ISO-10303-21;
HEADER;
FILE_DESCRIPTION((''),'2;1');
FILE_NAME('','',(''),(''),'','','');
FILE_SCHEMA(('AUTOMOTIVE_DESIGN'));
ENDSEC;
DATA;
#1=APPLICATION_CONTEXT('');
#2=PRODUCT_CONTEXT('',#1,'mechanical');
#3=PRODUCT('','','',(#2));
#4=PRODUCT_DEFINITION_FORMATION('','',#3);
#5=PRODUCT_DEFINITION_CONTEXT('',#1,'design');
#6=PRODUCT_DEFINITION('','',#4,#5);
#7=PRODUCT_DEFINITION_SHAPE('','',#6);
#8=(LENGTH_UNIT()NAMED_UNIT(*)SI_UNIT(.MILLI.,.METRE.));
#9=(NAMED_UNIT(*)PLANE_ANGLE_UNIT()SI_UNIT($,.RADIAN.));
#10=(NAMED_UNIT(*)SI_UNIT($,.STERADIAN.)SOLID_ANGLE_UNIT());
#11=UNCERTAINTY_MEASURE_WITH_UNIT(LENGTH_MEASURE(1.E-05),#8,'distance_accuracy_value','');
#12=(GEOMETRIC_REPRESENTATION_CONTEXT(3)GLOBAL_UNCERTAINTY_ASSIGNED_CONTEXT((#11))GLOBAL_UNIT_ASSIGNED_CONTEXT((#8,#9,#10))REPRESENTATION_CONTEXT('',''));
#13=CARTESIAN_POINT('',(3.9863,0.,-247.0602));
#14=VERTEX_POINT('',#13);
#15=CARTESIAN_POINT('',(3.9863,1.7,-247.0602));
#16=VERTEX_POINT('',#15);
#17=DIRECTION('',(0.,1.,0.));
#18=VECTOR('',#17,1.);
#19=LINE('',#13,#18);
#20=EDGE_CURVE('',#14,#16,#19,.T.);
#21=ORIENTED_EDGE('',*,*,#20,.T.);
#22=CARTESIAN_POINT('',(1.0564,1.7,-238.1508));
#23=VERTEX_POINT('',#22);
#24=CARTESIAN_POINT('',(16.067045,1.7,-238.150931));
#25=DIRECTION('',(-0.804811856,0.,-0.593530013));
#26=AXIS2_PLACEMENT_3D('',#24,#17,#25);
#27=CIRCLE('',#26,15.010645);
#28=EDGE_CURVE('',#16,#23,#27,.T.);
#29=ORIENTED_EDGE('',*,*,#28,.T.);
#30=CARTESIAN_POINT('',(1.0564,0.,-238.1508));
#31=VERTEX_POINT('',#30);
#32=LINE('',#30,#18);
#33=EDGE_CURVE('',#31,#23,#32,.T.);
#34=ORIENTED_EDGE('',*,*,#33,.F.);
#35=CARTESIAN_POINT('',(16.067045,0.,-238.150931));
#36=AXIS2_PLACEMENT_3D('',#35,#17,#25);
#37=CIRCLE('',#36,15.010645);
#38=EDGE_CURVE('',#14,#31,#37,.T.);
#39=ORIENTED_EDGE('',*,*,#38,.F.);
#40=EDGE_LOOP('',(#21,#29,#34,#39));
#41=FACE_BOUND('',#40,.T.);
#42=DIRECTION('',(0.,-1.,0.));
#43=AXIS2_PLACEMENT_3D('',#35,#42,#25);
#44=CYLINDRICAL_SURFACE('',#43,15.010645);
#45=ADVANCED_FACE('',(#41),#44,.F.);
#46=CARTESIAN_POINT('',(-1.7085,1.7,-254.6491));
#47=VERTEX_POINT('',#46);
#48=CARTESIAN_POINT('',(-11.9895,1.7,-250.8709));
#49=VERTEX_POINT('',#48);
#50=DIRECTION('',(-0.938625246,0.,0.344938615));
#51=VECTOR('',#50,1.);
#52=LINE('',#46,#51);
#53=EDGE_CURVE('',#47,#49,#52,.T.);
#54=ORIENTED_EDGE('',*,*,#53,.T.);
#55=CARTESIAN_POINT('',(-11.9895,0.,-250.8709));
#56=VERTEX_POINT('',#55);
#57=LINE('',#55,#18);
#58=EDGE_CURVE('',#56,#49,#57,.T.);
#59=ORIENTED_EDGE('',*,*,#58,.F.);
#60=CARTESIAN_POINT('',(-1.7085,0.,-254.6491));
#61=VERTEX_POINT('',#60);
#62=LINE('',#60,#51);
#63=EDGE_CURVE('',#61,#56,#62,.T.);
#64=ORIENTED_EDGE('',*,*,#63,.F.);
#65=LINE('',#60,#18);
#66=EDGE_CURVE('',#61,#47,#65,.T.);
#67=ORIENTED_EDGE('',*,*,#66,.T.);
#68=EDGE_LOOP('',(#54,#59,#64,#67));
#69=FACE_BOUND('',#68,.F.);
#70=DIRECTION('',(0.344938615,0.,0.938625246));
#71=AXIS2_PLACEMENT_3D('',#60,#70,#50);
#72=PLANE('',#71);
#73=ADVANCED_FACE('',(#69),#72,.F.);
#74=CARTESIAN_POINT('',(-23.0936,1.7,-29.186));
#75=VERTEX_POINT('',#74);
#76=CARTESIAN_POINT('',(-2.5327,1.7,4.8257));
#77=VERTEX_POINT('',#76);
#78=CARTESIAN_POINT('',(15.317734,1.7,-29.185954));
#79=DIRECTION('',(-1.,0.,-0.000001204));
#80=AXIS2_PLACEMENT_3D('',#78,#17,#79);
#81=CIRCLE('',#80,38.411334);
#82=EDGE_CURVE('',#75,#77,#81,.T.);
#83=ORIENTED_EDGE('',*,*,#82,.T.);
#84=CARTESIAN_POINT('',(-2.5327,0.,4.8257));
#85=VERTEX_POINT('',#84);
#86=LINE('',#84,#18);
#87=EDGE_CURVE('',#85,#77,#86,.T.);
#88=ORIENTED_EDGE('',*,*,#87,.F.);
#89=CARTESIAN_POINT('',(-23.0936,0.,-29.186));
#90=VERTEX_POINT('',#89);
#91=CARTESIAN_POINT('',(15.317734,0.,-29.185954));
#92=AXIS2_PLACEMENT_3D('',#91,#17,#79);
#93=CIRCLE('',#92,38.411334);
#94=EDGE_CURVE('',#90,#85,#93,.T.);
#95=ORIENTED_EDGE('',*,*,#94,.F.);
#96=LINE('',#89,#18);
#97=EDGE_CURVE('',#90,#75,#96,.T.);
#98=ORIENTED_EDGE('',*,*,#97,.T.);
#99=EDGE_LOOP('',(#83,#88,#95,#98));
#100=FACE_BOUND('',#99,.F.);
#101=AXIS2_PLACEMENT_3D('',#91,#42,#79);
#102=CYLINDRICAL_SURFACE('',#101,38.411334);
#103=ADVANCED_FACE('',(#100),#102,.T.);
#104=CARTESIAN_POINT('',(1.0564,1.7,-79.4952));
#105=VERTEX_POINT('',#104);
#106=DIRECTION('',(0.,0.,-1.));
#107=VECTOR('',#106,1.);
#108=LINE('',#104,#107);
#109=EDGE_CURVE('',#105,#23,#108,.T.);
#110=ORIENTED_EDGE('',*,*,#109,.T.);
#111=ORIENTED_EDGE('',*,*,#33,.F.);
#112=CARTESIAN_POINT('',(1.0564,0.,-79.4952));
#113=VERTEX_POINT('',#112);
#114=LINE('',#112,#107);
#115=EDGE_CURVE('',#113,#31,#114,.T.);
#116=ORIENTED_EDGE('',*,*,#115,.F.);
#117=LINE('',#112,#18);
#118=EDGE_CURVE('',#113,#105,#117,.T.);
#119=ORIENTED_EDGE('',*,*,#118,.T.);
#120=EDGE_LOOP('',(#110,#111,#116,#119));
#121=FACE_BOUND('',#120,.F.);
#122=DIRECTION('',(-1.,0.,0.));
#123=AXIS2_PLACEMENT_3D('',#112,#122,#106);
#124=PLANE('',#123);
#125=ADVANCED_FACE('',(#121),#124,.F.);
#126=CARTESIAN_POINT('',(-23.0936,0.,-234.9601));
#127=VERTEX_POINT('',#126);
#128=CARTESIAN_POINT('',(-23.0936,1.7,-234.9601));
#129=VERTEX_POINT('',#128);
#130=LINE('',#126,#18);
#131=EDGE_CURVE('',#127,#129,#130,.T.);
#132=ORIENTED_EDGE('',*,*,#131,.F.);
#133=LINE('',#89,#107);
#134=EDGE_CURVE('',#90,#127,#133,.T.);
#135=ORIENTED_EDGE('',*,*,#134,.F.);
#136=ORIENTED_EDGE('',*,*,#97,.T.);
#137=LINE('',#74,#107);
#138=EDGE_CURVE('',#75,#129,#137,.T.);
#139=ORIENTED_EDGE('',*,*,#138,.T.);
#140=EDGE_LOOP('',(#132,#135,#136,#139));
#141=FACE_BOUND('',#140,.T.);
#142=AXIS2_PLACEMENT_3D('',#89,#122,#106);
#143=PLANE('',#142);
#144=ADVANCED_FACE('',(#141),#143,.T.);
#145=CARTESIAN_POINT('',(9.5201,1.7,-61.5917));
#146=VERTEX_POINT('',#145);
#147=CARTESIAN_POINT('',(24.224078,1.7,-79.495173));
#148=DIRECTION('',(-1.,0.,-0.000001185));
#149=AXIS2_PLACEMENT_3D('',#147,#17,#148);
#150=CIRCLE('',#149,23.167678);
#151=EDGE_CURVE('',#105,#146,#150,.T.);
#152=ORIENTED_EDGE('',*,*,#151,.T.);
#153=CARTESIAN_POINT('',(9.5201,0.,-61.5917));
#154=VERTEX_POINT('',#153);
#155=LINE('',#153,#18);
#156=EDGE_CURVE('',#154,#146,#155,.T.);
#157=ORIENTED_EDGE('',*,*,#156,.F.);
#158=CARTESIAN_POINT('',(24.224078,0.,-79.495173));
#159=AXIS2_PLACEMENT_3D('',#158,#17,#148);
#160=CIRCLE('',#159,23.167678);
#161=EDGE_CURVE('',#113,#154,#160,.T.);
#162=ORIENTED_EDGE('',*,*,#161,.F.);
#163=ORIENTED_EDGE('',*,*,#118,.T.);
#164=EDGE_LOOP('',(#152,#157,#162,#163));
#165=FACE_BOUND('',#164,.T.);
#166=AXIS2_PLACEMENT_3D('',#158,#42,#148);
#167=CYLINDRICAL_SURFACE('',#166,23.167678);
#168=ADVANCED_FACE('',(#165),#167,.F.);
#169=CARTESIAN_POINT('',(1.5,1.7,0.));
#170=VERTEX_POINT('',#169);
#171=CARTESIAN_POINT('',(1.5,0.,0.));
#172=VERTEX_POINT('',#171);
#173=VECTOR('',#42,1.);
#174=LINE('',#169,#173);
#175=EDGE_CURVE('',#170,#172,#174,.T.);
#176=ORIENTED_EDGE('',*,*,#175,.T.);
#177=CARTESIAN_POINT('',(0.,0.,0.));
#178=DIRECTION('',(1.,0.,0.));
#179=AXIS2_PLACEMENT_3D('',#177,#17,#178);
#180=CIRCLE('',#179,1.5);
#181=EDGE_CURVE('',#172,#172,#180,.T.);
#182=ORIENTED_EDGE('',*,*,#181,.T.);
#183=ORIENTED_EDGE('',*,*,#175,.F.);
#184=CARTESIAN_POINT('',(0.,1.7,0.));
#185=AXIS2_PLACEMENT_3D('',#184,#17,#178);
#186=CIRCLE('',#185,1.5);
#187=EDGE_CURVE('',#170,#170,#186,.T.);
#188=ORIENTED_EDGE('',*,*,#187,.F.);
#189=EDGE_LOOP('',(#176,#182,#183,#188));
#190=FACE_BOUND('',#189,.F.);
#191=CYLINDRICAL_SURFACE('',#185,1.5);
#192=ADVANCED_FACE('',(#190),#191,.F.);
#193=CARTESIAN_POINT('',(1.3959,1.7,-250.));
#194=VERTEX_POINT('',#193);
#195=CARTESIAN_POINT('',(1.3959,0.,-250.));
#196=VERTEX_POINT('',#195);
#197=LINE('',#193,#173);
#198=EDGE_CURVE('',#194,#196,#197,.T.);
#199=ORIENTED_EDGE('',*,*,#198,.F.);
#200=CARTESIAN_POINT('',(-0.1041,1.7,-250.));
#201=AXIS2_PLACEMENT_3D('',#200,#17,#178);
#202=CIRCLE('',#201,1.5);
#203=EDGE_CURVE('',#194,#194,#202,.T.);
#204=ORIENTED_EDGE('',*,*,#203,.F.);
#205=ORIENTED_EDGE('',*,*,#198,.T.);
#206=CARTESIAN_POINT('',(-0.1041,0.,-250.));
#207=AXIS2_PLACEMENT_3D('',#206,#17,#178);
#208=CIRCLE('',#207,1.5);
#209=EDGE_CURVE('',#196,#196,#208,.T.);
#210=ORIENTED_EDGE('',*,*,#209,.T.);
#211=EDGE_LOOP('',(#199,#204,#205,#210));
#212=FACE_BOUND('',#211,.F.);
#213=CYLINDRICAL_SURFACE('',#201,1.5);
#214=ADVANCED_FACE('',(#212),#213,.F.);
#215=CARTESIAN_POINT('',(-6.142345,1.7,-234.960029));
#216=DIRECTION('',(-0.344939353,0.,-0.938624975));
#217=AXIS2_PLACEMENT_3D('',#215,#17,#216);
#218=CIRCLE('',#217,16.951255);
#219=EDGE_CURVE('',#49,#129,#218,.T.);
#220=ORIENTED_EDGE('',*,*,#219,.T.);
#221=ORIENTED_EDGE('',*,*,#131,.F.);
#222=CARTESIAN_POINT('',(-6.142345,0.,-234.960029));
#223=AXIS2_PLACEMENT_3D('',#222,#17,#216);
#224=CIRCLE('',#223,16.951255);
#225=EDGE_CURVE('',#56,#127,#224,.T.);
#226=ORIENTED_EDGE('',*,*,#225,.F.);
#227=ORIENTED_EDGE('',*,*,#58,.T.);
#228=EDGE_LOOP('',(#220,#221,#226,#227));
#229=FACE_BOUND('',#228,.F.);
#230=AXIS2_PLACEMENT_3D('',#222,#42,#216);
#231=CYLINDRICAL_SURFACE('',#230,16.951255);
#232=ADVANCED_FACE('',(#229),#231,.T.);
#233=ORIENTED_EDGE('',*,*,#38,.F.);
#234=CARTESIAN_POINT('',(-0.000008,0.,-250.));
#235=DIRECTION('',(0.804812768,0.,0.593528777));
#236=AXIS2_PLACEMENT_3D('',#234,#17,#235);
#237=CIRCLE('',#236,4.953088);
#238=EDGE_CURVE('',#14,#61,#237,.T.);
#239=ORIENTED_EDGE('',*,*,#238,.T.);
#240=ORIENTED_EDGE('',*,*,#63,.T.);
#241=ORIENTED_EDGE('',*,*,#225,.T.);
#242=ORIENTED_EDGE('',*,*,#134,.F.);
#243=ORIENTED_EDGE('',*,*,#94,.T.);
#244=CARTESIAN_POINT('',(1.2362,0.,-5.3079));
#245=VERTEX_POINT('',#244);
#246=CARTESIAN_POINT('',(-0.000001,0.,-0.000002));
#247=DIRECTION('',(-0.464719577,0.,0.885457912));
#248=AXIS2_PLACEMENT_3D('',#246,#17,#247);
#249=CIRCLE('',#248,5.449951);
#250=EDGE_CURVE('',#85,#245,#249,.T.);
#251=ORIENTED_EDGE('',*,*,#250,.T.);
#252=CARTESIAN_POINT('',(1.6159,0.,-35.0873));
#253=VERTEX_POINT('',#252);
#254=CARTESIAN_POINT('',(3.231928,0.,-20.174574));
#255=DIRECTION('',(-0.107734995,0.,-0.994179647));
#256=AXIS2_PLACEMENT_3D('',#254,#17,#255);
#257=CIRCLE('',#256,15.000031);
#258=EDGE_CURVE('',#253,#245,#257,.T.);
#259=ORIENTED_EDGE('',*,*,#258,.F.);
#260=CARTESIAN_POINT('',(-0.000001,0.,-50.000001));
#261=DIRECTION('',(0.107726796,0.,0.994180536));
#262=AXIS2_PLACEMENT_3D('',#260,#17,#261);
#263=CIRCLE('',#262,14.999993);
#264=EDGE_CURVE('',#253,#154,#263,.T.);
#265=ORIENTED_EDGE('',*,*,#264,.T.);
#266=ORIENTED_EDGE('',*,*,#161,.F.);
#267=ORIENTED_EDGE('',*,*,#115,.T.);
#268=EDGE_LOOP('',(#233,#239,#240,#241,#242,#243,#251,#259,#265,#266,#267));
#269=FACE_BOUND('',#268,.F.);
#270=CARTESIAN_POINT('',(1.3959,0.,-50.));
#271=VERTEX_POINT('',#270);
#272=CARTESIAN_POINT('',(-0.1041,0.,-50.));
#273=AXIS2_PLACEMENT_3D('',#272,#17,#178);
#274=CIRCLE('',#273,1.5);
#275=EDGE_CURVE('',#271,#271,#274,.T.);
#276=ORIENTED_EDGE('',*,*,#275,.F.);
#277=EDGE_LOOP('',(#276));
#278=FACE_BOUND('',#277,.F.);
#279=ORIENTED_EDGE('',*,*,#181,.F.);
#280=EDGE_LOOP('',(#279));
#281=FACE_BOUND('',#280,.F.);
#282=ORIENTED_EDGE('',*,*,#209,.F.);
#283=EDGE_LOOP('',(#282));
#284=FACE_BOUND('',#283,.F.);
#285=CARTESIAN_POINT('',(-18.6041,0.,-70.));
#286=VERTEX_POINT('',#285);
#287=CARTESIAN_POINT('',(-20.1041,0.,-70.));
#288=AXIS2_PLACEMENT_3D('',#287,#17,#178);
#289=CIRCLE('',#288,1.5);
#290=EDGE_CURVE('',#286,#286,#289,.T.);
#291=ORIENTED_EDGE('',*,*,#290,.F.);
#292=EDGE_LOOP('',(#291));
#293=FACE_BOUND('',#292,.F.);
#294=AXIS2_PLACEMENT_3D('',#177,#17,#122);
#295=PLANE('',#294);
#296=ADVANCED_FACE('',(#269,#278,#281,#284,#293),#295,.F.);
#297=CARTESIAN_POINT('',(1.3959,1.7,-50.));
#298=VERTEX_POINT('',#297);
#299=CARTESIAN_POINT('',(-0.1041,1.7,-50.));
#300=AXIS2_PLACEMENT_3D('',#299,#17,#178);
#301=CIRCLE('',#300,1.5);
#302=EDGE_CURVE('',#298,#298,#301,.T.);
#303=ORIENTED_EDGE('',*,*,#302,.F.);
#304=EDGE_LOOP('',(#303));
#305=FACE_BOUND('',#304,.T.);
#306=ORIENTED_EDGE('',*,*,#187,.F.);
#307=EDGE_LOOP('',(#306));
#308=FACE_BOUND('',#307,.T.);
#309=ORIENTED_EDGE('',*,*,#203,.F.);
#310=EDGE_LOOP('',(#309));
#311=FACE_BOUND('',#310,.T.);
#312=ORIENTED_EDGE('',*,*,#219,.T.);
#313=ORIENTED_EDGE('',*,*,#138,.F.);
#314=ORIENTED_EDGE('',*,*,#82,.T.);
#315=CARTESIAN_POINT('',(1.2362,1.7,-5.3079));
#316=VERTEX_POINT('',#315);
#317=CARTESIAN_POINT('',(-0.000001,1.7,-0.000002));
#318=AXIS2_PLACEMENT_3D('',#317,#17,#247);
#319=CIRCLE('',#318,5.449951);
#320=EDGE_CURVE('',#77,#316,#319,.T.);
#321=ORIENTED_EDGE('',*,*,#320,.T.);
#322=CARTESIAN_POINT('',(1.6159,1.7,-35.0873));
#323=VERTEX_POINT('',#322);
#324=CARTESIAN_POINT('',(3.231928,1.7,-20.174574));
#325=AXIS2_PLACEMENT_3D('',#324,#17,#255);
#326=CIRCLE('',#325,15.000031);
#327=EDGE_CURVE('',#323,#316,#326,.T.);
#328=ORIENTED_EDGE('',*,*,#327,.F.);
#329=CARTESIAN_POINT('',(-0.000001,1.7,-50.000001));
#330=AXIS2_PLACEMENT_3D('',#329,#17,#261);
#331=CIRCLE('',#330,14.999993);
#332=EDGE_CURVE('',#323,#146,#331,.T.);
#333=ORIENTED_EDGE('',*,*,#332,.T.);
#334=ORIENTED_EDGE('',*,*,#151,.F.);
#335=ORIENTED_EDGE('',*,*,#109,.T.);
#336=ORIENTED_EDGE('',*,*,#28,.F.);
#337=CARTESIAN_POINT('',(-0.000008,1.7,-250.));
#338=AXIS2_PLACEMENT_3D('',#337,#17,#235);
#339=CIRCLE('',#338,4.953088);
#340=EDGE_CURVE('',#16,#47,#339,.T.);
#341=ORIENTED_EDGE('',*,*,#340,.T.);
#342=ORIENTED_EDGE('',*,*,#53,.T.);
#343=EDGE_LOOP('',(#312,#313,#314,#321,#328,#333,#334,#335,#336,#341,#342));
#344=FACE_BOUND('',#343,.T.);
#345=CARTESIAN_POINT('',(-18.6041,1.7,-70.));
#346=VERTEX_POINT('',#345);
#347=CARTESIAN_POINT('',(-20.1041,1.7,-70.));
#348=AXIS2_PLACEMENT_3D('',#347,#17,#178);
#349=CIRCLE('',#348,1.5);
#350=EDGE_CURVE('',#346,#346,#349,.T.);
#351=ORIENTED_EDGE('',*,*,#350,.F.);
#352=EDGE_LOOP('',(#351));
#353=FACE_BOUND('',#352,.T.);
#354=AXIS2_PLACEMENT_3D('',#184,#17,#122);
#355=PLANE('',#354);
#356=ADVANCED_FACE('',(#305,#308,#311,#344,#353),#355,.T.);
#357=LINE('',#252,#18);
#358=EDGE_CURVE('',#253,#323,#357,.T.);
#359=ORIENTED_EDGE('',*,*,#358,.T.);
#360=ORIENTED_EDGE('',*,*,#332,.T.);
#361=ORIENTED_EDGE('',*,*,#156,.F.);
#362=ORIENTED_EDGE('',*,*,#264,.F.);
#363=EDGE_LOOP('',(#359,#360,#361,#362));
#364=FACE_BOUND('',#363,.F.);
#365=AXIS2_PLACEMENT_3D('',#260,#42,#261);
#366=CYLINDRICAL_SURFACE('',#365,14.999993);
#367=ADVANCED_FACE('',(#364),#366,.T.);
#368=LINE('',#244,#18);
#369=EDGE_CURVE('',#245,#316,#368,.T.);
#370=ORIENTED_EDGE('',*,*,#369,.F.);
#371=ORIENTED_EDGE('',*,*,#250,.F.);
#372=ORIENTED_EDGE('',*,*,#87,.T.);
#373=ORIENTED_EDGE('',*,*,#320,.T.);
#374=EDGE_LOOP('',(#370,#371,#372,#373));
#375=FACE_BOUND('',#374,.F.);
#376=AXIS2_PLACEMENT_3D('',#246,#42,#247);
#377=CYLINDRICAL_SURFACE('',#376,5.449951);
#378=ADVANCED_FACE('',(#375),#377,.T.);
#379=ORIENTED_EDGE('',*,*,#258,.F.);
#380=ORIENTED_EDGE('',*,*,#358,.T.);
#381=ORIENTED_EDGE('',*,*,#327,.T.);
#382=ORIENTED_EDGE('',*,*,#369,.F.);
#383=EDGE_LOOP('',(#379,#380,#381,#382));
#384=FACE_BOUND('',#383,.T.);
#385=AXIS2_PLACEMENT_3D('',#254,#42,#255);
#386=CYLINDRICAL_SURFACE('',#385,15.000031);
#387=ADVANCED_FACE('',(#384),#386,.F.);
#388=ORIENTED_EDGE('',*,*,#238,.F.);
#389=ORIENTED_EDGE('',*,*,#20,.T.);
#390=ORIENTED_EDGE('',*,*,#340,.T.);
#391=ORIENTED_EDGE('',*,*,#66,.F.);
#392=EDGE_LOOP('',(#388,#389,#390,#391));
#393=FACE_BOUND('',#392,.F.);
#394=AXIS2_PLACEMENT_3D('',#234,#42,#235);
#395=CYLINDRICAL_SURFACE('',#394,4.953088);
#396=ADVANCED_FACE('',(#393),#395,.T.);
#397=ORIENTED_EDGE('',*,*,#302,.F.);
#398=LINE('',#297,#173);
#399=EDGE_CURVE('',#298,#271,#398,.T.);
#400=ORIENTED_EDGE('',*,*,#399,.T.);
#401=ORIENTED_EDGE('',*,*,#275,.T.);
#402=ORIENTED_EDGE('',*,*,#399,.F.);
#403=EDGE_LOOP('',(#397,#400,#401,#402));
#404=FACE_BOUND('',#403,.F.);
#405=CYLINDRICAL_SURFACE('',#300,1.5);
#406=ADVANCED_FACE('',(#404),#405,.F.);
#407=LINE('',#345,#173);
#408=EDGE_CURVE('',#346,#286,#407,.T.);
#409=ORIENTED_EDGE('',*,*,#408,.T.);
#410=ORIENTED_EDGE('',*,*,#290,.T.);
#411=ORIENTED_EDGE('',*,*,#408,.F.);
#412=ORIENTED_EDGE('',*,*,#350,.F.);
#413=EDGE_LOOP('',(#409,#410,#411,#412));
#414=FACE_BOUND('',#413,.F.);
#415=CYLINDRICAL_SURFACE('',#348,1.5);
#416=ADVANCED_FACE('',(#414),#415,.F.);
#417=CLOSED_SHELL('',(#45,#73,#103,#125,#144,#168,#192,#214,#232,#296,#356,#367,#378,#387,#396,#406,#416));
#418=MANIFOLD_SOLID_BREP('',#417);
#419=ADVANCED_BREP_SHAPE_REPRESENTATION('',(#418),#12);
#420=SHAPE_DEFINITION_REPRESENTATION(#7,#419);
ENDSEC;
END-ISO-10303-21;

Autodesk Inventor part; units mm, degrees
ref_plane "YZ Plane" through (0, 0, 0) normal (1, 0, 0) x (0, 1, 0)
ref_plane "XZ Plane" through (0, 0, 0) normal (0, 1, 0) x (-1, 0, 0)
ref_plane "XY Plane" through (0, 0, 0) normal (0, 0, 1) x (1, 0, 0)
sketch "Sketch1" plane through (0, 0, 0) normal (0, 1, 0) x (-1, 0, 0)
  arc A0 (2.5327, 4.8257) -> (-1.2362, -5.3079) centre (0, 0) ccw
  arc A1 (-1.6159, -35.0873) -> (-1.2362, -5.3079) centre (-3.2319, -20.1746) ccw
  line L0 (23.0936, -29.186) -> (23.0936, -234.9601)
  arc A2 (23.0936, -29.186) -> (2.5327, 4.8257) centre (-15.3179, -29.186) ccw
  arc A3 (-1.6159, -35.0873) -> (-9.5201, -61.5917) centre (0, -50) ccw
  line L1 (-1.0564, -79.4952) -> (-1.0564, -238.1508)
  arc A4 (-1.0564, -79.4952) -> (-9.5201, -61.5917) centre (-24.2242, -79.4952) ccw
  arc A5 (-3.9863, -247.0602) -> (-1.0564, -238.1508) centre (-16.0673, -238.1508) ccw
  arc A6 (-3.9863, -247.0602) -> (1.7085, -254.6491) centre (0, -250) ccw
  line L2 (1.7085, -254.6491) -> (11.9895, -250.8709)
  arc A7 (11.9895, -250.8709) -> (23.0936, -234.9601) centre (6.1424, -234.9601) ccw
  dimension "d0" = 10.9
  dimension "d1" = 50
  dimension "d4" = 200
  dimension "d15" = 0
  dimension "d16" = 15
  dimension "d17" = 0
  dimension "d18" = 15
extrude "Extrusion1" add sketch "Sketch1" along normal blind 1.7
sketch "Sketch2" plane through (0, 1.7, 0) normal (0, 1, 0) x (1, 0, 0)
  arc A0 (3.9863, 247.0602) -> (-1.7085, 254.6491) centre (0, 250) ccw projected
  arc A1 (1.6159, 35.0873) -> (9.5201, 61.5917) centre (0, 50) ccw projected
  arc A2 (-2.5327, -4.8257) -> (1.2362, 5.3079) centre (0, 0) ccw projected
  circle A3 centre (0, 0) radius 1.5
  circle A4 centre (-0.1041, 50) radius 1.5
  circle A5 centre (-20.1041, 70) radius 1.5
  circle A6 centre (-0.1041, 250) radius 1.5
  dimension "d7" = 3
  dimension "d8" = 3
  dimension "d9" = 20
  dimension "d10" = 20
  dimension "d11" = 3
  dimension "d12" = 3
extrude "Extrusion2" cut sketch "Sketch2" against normal blind 1.7
equation "\"BendRadius\" = Thickness"
equation "\"BendReliefWidth\" = Thickness"
equation "\"BendReliefDepth\" = 0.5 * Thickness"
equation "\"CornerReliefSize\" = 4 * Thickness"
equation "\"MinimumRemnant\" = 2 * Thickness"
equation "\"TransitionRadius\" = BendRadius"
equation "\"JacobiRadiusSize\" = BendRadius"
equation "\"GapSize\" = Thickness"
equation "\"Thickness\" = 3.048"
properties part number "A1P3"
